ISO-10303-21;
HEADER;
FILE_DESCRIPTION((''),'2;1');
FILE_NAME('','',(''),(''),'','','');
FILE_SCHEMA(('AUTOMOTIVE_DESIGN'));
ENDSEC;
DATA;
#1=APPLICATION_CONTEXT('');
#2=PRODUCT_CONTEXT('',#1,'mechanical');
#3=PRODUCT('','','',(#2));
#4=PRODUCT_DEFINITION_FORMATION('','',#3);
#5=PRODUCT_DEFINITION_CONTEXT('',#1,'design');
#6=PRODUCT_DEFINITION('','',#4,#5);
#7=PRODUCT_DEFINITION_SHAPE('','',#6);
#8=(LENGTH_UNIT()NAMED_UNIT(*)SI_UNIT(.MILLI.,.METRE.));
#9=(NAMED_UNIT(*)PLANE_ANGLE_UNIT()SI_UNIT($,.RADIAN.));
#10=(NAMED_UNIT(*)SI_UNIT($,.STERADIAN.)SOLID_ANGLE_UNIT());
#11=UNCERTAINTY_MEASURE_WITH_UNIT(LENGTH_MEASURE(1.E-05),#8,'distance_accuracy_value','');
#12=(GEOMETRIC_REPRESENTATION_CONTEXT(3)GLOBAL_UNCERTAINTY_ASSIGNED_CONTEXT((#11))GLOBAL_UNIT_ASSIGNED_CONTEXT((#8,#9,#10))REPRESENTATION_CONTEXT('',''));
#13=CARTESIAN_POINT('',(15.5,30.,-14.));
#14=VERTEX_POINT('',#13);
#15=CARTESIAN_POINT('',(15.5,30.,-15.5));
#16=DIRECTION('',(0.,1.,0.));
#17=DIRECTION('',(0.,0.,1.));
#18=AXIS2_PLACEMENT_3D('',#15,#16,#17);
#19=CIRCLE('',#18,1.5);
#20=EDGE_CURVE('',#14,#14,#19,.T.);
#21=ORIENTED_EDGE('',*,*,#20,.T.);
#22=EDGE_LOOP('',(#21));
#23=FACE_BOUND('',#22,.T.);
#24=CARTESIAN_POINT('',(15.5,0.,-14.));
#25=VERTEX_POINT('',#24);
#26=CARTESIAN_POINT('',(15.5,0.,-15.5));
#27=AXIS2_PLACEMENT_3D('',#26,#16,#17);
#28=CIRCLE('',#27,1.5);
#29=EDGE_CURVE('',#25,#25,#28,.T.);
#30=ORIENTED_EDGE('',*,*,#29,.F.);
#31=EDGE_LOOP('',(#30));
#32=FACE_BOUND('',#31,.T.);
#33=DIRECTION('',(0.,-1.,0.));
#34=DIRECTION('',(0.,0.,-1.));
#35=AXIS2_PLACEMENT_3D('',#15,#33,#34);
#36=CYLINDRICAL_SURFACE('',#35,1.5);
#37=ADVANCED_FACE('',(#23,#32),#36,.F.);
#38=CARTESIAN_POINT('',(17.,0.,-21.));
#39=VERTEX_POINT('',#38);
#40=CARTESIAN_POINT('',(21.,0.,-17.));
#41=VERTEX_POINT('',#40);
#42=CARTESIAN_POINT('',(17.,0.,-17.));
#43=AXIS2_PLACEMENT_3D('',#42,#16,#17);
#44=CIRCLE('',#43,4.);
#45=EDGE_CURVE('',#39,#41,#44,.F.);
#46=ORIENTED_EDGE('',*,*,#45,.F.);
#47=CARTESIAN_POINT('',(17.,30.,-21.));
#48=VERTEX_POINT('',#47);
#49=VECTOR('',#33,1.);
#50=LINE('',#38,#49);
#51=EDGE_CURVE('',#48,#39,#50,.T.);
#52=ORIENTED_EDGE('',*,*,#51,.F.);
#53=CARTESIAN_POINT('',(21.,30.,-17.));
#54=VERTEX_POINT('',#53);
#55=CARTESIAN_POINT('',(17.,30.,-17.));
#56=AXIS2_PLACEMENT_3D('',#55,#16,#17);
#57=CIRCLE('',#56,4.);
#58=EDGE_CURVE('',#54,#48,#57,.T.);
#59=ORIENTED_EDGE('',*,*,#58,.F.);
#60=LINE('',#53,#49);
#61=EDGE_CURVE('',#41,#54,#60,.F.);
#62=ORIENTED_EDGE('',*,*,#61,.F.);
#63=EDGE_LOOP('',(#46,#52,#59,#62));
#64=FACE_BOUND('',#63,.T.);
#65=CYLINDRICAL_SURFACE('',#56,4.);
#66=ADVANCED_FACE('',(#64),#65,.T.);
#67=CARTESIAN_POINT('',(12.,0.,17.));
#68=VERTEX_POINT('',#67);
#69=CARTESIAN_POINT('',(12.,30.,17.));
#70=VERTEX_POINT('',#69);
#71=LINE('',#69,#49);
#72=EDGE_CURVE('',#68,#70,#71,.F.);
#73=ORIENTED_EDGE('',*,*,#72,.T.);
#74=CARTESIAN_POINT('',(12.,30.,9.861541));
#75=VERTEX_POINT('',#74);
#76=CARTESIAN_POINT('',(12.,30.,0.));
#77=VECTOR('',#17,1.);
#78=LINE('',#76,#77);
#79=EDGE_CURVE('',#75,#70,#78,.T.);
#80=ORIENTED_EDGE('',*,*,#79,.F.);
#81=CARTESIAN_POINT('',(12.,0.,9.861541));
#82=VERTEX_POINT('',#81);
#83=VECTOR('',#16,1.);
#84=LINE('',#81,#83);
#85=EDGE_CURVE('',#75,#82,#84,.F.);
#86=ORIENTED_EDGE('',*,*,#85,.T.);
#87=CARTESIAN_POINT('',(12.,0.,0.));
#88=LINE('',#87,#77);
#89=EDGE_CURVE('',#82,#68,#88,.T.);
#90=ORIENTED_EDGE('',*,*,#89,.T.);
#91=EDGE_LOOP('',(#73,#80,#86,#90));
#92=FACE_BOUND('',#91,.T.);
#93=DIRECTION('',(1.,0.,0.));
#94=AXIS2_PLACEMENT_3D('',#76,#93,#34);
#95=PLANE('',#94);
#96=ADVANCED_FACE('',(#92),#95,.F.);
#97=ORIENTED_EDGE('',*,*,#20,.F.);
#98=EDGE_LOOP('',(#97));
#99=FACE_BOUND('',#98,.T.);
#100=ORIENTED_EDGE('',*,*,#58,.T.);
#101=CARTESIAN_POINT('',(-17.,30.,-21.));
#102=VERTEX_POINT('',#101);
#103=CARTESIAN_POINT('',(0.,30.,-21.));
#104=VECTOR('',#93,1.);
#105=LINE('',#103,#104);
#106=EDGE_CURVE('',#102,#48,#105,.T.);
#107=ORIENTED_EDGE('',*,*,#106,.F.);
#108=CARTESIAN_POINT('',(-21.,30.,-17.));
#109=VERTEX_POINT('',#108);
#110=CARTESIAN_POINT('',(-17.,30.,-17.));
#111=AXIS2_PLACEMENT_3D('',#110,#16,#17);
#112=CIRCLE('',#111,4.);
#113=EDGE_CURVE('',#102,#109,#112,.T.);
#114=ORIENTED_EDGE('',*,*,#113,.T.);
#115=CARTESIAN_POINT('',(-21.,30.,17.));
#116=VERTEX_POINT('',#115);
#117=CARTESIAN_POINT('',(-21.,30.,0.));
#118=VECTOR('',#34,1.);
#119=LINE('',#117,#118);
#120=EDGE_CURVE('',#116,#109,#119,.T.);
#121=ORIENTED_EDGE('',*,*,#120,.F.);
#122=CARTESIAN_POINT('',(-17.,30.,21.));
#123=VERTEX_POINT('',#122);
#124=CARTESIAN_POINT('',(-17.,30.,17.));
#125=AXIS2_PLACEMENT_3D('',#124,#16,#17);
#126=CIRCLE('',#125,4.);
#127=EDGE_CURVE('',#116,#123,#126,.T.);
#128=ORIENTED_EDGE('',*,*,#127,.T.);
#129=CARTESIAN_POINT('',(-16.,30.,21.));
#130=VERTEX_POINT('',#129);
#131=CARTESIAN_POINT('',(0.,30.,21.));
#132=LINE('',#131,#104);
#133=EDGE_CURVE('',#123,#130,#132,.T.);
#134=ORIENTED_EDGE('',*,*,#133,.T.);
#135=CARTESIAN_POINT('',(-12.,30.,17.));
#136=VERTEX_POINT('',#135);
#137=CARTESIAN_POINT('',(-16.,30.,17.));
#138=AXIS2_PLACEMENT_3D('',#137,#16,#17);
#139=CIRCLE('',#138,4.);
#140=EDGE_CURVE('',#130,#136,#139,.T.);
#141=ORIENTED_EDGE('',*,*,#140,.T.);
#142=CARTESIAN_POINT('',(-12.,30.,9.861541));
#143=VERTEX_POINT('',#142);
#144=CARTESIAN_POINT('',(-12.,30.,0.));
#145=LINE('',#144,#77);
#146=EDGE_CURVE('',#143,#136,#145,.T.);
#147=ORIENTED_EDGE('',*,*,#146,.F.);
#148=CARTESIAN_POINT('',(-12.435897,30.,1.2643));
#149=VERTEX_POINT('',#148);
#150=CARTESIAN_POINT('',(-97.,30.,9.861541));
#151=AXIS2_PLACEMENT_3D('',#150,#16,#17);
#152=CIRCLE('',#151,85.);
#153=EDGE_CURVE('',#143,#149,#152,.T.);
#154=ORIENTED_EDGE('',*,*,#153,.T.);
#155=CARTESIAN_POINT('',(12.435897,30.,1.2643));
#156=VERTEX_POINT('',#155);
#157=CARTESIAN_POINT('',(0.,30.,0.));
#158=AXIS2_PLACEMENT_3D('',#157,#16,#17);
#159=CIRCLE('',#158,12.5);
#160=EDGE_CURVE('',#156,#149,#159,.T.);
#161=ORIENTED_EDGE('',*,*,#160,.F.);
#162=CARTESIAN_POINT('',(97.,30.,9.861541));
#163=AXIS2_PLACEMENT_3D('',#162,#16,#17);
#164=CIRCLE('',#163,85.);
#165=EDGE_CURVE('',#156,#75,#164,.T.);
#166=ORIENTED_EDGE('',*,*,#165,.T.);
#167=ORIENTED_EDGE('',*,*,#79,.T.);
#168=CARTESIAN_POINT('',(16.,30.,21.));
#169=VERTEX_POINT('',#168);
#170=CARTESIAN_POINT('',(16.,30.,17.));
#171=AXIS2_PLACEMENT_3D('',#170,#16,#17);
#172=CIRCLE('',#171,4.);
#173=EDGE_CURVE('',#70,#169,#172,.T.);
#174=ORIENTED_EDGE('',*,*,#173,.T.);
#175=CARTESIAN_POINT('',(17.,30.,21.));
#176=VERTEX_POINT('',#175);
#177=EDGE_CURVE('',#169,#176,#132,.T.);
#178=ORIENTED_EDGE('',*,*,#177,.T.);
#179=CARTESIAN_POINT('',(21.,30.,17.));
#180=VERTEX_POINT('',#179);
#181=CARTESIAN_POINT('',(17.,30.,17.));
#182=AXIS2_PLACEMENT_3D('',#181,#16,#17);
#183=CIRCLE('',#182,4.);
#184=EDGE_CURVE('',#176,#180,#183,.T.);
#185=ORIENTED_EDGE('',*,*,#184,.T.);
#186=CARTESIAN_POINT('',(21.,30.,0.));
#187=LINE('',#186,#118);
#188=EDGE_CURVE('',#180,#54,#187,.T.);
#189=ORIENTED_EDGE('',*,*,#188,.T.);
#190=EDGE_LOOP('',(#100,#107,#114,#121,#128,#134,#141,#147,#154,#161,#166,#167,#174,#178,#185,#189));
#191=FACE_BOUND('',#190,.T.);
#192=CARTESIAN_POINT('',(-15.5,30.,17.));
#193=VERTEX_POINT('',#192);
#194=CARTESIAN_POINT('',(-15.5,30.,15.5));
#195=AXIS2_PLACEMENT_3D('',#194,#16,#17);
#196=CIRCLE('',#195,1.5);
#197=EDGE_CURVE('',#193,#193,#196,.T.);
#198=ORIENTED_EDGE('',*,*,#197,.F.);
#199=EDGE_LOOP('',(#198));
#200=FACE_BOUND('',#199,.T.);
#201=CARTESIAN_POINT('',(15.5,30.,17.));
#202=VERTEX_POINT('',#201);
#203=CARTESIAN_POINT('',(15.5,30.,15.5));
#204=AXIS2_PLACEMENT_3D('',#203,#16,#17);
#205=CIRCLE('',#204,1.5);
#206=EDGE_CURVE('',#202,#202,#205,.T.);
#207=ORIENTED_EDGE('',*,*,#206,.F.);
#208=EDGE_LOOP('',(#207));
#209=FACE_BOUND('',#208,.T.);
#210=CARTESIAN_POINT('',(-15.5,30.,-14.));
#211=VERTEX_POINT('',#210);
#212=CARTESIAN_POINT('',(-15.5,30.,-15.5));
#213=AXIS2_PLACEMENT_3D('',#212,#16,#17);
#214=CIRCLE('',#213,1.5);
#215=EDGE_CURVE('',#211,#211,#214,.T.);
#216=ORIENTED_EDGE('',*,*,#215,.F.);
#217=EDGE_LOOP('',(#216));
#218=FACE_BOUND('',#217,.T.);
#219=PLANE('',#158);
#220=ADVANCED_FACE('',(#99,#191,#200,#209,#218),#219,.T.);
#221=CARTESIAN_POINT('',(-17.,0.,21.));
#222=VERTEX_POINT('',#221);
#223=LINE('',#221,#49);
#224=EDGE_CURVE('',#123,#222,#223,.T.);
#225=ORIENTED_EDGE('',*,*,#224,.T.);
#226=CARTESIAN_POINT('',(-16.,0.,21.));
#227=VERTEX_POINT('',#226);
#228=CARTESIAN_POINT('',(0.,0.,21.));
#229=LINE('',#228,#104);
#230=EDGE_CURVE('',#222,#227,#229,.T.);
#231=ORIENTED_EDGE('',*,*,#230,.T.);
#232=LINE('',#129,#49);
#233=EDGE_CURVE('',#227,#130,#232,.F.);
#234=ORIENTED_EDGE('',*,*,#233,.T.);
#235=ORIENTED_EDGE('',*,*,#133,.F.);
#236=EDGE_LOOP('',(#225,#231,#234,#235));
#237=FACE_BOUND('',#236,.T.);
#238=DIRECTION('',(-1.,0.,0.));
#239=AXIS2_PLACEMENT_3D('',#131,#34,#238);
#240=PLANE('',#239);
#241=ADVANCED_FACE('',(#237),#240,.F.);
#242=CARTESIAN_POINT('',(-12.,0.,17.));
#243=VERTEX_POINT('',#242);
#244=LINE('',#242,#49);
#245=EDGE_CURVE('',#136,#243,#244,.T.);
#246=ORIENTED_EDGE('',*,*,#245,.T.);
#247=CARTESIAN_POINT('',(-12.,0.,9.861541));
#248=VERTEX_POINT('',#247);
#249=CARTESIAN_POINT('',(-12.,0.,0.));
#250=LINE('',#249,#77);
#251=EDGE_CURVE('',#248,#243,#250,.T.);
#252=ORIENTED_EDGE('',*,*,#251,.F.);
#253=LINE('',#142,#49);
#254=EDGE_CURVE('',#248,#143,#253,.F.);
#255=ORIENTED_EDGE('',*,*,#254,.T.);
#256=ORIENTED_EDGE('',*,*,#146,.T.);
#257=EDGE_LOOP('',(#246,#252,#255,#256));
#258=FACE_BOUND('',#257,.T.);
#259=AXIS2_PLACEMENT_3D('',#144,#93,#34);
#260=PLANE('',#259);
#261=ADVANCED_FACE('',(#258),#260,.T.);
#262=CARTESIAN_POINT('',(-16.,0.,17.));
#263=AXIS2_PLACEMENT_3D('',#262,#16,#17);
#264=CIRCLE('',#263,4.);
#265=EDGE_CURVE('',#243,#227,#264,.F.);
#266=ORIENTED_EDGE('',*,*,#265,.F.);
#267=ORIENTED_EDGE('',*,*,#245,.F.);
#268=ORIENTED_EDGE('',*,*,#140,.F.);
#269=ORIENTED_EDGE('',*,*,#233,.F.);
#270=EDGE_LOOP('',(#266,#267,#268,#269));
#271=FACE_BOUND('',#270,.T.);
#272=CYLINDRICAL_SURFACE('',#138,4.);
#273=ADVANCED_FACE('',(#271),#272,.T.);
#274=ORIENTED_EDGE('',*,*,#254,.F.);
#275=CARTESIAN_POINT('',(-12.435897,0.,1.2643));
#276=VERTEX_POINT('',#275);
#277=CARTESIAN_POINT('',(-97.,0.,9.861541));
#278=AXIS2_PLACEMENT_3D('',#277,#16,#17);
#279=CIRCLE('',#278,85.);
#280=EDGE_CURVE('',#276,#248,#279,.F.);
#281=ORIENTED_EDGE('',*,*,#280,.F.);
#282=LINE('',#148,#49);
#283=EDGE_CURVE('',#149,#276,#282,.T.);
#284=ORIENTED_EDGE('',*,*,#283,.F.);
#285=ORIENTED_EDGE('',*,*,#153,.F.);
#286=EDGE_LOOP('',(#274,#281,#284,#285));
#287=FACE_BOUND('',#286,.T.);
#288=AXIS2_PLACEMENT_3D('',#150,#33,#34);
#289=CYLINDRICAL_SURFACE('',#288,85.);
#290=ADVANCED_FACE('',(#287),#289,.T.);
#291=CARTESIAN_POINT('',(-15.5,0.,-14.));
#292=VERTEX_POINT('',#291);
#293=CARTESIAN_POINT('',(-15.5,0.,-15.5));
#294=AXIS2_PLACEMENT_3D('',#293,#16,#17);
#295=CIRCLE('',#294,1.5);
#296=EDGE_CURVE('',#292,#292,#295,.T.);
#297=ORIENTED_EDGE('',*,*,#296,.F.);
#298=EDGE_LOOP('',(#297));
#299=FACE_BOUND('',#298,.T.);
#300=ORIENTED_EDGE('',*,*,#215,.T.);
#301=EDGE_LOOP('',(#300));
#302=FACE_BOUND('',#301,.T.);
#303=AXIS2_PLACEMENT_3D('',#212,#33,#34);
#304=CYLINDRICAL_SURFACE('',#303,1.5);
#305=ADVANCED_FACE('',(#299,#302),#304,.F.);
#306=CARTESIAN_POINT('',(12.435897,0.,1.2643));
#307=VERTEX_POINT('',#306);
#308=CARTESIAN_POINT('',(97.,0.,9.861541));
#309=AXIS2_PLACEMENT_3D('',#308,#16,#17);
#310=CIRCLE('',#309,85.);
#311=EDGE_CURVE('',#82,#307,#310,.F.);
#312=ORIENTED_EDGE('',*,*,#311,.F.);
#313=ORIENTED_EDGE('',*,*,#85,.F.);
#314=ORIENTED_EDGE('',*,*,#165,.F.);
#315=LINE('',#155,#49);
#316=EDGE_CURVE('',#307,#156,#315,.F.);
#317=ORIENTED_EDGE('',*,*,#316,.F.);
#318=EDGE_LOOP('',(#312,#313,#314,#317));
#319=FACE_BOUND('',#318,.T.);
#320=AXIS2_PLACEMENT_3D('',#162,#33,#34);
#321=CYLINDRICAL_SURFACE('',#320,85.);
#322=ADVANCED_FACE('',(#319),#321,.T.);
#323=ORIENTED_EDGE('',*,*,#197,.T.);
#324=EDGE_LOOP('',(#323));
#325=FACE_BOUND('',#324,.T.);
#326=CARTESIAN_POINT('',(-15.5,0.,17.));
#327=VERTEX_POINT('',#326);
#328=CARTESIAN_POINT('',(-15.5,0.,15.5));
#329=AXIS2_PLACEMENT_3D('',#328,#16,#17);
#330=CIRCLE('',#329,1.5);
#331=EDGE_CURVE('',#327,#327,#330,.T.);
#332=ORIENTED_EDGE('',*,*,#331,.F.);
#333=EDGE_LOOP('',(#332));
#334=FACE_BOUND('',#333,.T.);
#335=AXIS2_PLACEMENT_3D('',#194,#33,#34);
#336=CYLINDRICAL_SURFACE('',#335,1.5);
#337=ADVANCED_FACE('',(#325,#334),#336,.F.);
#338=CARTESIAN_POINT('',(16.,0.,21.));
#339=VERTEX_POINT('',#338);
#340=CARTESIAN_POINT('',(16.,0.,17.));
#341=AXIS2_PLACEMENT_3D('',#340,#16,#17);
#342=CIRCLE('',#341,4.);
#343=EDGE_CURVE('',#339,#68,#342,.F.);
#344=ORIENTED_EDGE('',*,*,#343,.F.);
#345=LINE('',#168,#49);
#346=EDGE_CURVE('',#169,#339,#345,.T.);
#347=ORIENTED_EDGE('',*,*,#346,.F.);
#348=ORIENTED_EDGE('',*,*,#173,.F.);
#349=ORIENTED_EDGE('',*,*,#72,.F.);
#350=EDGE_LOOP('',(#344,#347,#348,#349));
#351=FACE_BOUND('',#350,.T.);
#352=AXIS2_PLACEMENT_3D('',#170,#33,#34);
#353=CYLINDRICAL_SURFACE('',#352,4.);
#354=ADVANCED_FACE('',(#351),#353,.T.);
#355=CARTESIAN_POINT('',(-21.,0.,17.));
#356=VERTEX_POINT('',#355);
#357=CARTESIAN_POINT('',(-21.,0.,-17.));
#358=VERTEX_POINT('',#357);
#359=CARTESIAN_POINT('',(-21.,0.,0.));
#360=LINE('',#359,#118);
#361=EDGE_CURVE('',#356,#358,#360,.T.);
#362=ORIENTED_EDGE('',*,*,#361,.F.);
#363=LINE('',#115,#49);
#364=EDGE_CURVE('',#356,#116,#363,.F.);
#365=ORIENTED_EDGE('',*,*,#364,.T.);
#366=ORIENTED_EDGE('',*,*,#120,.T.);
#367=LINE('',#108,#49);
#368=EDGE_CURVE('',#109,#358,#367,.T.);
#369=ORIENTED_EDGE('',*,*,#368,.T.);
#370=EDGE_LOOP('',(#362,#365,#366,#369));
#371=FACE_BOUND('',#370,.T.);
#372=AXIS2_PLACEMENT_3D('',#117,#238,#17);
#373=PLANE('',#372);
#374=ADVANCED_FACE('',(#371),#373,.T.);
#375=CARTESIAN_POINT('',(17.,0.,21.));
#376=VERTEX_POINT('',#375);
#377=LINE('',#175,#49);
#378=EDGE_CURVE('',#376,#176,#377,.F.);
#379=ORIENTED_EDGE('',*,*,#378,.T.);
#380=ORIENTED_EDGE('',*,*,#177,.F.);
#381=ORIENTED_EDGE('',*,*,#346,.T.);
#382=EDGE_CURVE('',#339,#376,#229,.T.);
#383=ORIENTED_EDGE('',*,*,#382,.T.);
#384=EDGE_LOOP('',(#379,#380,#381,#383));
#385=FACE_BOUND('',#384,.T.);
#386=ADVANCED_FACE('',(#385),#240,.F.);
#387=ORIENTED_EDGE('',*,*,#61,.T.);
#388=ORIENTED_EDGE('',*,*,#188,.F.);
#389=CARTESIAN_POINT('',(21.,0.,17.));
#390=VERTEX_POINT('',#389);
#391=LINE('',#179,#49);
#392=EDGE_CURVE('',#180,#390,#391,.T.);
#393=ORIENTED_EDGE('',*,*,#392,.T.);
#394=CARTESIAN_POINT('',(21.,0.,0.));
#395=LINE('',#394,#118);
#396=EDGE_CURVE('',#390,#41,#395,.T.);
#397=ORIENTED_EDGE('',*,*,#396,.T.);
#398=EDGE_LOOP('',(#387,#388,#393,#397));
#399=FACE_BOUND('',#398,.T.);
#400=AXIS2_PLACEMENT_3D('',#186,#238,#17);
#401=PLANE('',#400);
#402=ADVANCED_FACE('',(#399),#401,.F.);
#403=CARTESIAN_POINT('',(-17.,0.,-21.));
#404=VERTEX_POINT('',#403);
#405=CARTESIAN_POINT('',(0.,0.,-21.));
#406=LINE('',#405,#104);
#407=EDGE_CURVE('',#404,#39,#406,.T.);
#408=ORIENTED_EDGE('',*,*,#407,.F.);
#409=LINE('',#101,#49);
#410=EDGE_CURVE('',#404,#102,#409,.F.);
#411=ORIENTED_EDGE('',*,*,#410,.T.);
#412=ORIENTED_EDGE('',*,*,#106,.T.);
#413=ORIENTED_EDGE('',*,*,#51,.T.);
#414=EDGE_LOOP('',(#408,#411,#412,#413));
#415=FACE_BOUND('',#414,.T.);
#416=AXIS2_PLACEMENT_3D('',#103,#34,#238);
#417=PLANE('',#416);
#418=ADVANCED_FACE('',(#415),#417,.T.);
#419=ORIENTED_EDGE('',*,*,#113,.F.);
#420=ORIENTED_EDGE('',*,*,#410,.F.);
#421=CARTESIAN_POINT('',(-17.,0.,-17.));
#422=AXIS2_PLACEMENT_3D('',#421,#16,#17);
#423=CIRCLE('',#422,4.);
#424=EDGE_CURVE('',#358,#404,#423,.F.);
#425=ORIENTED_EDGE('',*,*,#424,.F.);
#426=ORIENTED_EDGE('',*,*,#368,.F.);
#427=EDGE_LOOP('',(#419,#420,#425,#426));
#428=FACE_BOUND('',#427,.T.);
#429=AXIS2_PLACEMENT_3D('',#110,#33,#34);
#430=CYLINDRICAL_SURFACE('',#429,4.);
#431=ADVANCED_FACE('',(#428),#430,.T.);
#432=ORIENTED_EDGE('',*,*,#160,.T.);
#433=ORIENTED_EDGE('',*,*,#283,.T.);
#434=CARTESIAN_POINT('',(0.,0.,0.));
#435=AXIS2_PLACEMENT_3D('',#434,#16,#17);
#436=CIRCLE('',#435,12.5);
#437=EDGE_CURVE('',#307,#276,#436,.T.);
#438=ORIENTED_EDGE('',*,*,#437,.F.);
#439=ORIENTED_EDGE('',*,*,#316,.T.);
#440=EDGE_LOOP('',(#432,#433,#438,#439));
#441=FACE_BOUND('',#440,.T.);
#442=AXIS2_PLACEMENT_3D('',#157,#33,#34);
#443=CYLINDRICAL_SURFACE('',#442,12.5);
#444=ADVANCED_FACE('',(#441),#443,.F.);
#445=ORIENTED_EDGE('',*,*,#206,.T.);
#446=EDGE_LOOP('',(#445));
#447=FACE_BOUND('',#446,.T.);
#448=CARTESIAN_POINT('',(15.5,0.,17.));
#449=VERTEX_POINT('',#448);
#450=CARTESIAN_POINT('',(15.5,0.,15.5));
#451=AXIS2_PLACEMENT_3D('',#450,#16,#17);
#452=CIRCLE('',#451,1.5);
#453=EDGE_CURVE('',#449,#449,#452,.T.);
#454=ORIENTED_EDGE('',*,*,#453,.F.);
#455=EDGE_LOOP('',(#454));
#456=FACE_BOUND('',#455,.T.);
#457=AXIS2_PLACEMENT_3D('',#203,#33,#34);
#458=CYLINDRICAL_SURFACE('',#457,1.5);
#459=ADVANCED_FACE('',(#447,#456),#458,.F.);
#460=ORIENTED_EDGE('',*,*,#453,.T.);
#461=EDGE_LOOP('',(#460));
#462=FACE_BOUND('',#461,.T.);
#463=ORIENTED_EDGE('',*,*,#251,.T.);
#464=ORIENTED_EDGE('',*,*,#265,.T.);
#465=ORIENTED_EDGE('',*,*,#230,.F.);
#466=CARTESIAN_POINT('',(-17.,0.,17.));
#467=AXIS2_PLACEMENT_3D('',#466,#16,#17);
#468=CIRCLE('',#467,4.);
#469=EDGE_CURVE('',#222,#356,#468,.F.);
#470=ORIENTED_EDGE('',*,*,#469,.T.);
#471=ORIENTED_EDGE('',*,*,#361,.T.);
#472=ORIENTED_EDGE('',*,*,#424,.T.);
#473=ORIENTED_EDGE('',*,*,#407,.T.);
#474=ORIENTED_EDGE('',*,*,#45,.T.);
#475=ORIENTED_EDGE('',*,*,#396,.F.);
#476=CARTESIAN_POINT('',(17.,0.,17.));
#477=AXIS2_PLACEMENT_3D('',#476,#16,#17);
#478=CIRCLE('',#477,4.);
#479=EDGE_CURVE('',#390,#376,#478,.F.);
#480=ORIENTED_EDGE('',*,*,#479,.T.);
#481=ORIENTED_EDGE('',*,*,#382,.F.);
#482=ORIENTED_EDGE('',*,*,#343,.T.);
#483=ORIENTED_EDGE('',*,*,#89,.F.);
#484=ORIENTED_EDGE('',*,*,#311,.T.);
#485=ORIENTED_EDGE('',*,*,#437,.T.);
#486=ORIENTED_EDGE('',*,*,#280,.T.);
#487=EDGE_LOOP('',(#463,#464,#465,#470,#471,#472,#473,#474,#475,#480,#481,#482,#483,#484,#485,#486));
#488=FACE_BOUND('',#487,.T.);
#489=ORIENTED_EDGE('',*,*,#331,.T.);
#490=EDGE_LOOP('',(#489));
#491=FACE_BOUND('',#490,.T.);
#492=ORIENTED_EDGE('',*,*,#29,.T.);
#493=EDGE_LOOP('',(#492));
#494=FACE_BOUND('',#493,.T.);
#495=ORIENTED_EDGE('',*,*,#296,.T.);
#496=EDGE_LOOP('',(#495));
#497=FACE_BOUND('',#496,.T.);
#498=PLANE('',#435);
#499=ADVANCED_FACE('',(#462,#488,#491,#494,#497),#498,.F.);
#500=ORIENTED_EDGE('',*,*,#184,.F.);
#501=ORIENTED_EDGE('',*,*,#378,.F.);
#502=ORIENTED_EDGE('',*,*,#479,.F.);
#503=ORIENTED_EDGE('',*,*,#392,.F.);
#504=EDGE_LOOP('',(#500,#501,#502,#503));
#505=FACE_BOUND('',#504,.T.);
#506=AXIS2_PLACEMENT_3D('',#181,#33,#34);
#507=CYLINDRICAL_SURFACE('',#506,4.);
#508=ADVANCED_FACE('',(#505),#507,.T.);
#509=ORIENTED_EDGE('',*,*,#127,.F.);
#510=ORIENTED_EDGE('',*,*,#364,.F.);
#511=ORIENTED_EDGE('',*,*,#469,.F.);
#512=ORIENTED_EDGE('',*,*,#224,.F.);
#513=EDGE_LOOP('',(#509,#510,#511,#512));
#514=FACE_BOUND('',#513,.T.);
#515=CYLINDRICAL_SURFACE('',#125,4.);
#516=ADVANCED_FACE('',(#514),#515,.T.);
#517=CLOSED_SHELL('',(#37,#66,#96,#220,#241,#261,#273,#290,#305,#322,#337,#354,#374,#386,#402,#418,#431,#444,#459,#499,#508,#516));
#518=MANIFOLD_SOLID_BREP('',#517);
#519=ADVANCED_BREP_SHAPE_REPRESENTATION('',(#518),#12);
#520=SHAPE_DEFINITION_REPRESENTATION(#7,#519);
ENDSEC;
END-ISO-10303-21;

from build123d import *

# Parameters (mm, degrees)
BOSS_EXTRUDE1_DEPTH = 30
FILLET1_R           = 85
FILLET2_R           = 4


with BuildPart() as part:
    # Sketch1 → Boss-Extrude1 (new body)
    with BuildSketch(Plane(origin=(0, 0, 0), x_dir=(1, 0, 0), z_dir=(0, 1, 0))):
        with BuildLine():
            Line((-12, -21), (-12, -15.5))
            Line((-12, -15.5), (-14, -15.5))
            ThreePointArc((-14, -15.5), (-16.560660172, -16.560660172), (-15.5, -14))
            Line((-15.5, -14), (-15.5, 14))
            ThreePointArc((-15.5, 14), (-16.560660172, 16.560660172), (-14, 15.5))
            Line((-14, 15.5), (14, 15.5))
            ThreePointArc((14, 15.5), (15.5, 17), (17, 15.5))
            ThreePointArc((17, 15.5), (16.560660172, 14.439339828), (15.5, 14))
            Line((15.5, 14), (15.5, -14))
            ThreePointArc((15.5, -14), (16.560660172, -14.439339828), (17, -15.5))
            ThreePointArc((17, -15.5), (15.5, -17), (14, -15.5))
            Line((14, -15.5), (12, -15.5))
            Line((12, -15.5), (12, -21))
            Line((12, -21), (21, -21))
            Line((21, -21), (21, 21))
            Line((21, 21), (-21, 21))
            Line((-21, 21), (-21, -21))
            Line((-21, -21), (-12, -21))
        make_face()
        with BuildLine():
            Line((-12, -15.5), (-12, -3.5))
            ThreePointArc((-12, -3.5), (-1.767766953, 12.374368671), (12.5, 0))
            ThreePointArc((12.5, 0), (12.374368671, -1.767766953), (12, -3.5))
            Line((12, -3.5), (12, -15.5))
            Line((12, -15.5), (14, -15.5))
            ThreePointArc((14, -15.5), (14.439339828, -14.439339828), (15.5, -14))
            Line((15.5, -14), (15.5, 14))
            ThreePointArc((15.5, 14), (14.439339828, 14.439339828), (14, 15.5))
            Line((14, 15.5), (-14, 15.5))
            ThreePointArc((-14, 15.5), (-14.439339828, 14.439339828), (-15.5, 14))
            Line((-15.5, 14), (-15.5, -14))
            ThreePointArc((-15.5, -14), (-14.439339828, -14.439339828), (-14, -15.5))
            Line((-14, -15.5), (-12, -15.5))
        make_face()
    extrude(amount=BOSS_EXTRUDE1_DEPTH)

    # Fillet1
    fillet1_edges = [part.edges().sort_by_distance(p)[0] for p in [
        (-12, 15, 3.5),
        (12, 15, 3.5),
    ]]
    fillet(fillet1_edges, radius=FILLET1_R)

    # Fillet2
    fillet2_edges = [part.edges().sort_by_distance(p)[0] for p in [
        (-12, 15, 21),
        (-21, 15, 21),
        (-21, 15, -21),
        (21, 15, -21),
        (21, 15, 21),
        (12, 15, 21),
    ]]
    fillet(fillet2_edges, radius=FILLET2_R)


solid = part.part
